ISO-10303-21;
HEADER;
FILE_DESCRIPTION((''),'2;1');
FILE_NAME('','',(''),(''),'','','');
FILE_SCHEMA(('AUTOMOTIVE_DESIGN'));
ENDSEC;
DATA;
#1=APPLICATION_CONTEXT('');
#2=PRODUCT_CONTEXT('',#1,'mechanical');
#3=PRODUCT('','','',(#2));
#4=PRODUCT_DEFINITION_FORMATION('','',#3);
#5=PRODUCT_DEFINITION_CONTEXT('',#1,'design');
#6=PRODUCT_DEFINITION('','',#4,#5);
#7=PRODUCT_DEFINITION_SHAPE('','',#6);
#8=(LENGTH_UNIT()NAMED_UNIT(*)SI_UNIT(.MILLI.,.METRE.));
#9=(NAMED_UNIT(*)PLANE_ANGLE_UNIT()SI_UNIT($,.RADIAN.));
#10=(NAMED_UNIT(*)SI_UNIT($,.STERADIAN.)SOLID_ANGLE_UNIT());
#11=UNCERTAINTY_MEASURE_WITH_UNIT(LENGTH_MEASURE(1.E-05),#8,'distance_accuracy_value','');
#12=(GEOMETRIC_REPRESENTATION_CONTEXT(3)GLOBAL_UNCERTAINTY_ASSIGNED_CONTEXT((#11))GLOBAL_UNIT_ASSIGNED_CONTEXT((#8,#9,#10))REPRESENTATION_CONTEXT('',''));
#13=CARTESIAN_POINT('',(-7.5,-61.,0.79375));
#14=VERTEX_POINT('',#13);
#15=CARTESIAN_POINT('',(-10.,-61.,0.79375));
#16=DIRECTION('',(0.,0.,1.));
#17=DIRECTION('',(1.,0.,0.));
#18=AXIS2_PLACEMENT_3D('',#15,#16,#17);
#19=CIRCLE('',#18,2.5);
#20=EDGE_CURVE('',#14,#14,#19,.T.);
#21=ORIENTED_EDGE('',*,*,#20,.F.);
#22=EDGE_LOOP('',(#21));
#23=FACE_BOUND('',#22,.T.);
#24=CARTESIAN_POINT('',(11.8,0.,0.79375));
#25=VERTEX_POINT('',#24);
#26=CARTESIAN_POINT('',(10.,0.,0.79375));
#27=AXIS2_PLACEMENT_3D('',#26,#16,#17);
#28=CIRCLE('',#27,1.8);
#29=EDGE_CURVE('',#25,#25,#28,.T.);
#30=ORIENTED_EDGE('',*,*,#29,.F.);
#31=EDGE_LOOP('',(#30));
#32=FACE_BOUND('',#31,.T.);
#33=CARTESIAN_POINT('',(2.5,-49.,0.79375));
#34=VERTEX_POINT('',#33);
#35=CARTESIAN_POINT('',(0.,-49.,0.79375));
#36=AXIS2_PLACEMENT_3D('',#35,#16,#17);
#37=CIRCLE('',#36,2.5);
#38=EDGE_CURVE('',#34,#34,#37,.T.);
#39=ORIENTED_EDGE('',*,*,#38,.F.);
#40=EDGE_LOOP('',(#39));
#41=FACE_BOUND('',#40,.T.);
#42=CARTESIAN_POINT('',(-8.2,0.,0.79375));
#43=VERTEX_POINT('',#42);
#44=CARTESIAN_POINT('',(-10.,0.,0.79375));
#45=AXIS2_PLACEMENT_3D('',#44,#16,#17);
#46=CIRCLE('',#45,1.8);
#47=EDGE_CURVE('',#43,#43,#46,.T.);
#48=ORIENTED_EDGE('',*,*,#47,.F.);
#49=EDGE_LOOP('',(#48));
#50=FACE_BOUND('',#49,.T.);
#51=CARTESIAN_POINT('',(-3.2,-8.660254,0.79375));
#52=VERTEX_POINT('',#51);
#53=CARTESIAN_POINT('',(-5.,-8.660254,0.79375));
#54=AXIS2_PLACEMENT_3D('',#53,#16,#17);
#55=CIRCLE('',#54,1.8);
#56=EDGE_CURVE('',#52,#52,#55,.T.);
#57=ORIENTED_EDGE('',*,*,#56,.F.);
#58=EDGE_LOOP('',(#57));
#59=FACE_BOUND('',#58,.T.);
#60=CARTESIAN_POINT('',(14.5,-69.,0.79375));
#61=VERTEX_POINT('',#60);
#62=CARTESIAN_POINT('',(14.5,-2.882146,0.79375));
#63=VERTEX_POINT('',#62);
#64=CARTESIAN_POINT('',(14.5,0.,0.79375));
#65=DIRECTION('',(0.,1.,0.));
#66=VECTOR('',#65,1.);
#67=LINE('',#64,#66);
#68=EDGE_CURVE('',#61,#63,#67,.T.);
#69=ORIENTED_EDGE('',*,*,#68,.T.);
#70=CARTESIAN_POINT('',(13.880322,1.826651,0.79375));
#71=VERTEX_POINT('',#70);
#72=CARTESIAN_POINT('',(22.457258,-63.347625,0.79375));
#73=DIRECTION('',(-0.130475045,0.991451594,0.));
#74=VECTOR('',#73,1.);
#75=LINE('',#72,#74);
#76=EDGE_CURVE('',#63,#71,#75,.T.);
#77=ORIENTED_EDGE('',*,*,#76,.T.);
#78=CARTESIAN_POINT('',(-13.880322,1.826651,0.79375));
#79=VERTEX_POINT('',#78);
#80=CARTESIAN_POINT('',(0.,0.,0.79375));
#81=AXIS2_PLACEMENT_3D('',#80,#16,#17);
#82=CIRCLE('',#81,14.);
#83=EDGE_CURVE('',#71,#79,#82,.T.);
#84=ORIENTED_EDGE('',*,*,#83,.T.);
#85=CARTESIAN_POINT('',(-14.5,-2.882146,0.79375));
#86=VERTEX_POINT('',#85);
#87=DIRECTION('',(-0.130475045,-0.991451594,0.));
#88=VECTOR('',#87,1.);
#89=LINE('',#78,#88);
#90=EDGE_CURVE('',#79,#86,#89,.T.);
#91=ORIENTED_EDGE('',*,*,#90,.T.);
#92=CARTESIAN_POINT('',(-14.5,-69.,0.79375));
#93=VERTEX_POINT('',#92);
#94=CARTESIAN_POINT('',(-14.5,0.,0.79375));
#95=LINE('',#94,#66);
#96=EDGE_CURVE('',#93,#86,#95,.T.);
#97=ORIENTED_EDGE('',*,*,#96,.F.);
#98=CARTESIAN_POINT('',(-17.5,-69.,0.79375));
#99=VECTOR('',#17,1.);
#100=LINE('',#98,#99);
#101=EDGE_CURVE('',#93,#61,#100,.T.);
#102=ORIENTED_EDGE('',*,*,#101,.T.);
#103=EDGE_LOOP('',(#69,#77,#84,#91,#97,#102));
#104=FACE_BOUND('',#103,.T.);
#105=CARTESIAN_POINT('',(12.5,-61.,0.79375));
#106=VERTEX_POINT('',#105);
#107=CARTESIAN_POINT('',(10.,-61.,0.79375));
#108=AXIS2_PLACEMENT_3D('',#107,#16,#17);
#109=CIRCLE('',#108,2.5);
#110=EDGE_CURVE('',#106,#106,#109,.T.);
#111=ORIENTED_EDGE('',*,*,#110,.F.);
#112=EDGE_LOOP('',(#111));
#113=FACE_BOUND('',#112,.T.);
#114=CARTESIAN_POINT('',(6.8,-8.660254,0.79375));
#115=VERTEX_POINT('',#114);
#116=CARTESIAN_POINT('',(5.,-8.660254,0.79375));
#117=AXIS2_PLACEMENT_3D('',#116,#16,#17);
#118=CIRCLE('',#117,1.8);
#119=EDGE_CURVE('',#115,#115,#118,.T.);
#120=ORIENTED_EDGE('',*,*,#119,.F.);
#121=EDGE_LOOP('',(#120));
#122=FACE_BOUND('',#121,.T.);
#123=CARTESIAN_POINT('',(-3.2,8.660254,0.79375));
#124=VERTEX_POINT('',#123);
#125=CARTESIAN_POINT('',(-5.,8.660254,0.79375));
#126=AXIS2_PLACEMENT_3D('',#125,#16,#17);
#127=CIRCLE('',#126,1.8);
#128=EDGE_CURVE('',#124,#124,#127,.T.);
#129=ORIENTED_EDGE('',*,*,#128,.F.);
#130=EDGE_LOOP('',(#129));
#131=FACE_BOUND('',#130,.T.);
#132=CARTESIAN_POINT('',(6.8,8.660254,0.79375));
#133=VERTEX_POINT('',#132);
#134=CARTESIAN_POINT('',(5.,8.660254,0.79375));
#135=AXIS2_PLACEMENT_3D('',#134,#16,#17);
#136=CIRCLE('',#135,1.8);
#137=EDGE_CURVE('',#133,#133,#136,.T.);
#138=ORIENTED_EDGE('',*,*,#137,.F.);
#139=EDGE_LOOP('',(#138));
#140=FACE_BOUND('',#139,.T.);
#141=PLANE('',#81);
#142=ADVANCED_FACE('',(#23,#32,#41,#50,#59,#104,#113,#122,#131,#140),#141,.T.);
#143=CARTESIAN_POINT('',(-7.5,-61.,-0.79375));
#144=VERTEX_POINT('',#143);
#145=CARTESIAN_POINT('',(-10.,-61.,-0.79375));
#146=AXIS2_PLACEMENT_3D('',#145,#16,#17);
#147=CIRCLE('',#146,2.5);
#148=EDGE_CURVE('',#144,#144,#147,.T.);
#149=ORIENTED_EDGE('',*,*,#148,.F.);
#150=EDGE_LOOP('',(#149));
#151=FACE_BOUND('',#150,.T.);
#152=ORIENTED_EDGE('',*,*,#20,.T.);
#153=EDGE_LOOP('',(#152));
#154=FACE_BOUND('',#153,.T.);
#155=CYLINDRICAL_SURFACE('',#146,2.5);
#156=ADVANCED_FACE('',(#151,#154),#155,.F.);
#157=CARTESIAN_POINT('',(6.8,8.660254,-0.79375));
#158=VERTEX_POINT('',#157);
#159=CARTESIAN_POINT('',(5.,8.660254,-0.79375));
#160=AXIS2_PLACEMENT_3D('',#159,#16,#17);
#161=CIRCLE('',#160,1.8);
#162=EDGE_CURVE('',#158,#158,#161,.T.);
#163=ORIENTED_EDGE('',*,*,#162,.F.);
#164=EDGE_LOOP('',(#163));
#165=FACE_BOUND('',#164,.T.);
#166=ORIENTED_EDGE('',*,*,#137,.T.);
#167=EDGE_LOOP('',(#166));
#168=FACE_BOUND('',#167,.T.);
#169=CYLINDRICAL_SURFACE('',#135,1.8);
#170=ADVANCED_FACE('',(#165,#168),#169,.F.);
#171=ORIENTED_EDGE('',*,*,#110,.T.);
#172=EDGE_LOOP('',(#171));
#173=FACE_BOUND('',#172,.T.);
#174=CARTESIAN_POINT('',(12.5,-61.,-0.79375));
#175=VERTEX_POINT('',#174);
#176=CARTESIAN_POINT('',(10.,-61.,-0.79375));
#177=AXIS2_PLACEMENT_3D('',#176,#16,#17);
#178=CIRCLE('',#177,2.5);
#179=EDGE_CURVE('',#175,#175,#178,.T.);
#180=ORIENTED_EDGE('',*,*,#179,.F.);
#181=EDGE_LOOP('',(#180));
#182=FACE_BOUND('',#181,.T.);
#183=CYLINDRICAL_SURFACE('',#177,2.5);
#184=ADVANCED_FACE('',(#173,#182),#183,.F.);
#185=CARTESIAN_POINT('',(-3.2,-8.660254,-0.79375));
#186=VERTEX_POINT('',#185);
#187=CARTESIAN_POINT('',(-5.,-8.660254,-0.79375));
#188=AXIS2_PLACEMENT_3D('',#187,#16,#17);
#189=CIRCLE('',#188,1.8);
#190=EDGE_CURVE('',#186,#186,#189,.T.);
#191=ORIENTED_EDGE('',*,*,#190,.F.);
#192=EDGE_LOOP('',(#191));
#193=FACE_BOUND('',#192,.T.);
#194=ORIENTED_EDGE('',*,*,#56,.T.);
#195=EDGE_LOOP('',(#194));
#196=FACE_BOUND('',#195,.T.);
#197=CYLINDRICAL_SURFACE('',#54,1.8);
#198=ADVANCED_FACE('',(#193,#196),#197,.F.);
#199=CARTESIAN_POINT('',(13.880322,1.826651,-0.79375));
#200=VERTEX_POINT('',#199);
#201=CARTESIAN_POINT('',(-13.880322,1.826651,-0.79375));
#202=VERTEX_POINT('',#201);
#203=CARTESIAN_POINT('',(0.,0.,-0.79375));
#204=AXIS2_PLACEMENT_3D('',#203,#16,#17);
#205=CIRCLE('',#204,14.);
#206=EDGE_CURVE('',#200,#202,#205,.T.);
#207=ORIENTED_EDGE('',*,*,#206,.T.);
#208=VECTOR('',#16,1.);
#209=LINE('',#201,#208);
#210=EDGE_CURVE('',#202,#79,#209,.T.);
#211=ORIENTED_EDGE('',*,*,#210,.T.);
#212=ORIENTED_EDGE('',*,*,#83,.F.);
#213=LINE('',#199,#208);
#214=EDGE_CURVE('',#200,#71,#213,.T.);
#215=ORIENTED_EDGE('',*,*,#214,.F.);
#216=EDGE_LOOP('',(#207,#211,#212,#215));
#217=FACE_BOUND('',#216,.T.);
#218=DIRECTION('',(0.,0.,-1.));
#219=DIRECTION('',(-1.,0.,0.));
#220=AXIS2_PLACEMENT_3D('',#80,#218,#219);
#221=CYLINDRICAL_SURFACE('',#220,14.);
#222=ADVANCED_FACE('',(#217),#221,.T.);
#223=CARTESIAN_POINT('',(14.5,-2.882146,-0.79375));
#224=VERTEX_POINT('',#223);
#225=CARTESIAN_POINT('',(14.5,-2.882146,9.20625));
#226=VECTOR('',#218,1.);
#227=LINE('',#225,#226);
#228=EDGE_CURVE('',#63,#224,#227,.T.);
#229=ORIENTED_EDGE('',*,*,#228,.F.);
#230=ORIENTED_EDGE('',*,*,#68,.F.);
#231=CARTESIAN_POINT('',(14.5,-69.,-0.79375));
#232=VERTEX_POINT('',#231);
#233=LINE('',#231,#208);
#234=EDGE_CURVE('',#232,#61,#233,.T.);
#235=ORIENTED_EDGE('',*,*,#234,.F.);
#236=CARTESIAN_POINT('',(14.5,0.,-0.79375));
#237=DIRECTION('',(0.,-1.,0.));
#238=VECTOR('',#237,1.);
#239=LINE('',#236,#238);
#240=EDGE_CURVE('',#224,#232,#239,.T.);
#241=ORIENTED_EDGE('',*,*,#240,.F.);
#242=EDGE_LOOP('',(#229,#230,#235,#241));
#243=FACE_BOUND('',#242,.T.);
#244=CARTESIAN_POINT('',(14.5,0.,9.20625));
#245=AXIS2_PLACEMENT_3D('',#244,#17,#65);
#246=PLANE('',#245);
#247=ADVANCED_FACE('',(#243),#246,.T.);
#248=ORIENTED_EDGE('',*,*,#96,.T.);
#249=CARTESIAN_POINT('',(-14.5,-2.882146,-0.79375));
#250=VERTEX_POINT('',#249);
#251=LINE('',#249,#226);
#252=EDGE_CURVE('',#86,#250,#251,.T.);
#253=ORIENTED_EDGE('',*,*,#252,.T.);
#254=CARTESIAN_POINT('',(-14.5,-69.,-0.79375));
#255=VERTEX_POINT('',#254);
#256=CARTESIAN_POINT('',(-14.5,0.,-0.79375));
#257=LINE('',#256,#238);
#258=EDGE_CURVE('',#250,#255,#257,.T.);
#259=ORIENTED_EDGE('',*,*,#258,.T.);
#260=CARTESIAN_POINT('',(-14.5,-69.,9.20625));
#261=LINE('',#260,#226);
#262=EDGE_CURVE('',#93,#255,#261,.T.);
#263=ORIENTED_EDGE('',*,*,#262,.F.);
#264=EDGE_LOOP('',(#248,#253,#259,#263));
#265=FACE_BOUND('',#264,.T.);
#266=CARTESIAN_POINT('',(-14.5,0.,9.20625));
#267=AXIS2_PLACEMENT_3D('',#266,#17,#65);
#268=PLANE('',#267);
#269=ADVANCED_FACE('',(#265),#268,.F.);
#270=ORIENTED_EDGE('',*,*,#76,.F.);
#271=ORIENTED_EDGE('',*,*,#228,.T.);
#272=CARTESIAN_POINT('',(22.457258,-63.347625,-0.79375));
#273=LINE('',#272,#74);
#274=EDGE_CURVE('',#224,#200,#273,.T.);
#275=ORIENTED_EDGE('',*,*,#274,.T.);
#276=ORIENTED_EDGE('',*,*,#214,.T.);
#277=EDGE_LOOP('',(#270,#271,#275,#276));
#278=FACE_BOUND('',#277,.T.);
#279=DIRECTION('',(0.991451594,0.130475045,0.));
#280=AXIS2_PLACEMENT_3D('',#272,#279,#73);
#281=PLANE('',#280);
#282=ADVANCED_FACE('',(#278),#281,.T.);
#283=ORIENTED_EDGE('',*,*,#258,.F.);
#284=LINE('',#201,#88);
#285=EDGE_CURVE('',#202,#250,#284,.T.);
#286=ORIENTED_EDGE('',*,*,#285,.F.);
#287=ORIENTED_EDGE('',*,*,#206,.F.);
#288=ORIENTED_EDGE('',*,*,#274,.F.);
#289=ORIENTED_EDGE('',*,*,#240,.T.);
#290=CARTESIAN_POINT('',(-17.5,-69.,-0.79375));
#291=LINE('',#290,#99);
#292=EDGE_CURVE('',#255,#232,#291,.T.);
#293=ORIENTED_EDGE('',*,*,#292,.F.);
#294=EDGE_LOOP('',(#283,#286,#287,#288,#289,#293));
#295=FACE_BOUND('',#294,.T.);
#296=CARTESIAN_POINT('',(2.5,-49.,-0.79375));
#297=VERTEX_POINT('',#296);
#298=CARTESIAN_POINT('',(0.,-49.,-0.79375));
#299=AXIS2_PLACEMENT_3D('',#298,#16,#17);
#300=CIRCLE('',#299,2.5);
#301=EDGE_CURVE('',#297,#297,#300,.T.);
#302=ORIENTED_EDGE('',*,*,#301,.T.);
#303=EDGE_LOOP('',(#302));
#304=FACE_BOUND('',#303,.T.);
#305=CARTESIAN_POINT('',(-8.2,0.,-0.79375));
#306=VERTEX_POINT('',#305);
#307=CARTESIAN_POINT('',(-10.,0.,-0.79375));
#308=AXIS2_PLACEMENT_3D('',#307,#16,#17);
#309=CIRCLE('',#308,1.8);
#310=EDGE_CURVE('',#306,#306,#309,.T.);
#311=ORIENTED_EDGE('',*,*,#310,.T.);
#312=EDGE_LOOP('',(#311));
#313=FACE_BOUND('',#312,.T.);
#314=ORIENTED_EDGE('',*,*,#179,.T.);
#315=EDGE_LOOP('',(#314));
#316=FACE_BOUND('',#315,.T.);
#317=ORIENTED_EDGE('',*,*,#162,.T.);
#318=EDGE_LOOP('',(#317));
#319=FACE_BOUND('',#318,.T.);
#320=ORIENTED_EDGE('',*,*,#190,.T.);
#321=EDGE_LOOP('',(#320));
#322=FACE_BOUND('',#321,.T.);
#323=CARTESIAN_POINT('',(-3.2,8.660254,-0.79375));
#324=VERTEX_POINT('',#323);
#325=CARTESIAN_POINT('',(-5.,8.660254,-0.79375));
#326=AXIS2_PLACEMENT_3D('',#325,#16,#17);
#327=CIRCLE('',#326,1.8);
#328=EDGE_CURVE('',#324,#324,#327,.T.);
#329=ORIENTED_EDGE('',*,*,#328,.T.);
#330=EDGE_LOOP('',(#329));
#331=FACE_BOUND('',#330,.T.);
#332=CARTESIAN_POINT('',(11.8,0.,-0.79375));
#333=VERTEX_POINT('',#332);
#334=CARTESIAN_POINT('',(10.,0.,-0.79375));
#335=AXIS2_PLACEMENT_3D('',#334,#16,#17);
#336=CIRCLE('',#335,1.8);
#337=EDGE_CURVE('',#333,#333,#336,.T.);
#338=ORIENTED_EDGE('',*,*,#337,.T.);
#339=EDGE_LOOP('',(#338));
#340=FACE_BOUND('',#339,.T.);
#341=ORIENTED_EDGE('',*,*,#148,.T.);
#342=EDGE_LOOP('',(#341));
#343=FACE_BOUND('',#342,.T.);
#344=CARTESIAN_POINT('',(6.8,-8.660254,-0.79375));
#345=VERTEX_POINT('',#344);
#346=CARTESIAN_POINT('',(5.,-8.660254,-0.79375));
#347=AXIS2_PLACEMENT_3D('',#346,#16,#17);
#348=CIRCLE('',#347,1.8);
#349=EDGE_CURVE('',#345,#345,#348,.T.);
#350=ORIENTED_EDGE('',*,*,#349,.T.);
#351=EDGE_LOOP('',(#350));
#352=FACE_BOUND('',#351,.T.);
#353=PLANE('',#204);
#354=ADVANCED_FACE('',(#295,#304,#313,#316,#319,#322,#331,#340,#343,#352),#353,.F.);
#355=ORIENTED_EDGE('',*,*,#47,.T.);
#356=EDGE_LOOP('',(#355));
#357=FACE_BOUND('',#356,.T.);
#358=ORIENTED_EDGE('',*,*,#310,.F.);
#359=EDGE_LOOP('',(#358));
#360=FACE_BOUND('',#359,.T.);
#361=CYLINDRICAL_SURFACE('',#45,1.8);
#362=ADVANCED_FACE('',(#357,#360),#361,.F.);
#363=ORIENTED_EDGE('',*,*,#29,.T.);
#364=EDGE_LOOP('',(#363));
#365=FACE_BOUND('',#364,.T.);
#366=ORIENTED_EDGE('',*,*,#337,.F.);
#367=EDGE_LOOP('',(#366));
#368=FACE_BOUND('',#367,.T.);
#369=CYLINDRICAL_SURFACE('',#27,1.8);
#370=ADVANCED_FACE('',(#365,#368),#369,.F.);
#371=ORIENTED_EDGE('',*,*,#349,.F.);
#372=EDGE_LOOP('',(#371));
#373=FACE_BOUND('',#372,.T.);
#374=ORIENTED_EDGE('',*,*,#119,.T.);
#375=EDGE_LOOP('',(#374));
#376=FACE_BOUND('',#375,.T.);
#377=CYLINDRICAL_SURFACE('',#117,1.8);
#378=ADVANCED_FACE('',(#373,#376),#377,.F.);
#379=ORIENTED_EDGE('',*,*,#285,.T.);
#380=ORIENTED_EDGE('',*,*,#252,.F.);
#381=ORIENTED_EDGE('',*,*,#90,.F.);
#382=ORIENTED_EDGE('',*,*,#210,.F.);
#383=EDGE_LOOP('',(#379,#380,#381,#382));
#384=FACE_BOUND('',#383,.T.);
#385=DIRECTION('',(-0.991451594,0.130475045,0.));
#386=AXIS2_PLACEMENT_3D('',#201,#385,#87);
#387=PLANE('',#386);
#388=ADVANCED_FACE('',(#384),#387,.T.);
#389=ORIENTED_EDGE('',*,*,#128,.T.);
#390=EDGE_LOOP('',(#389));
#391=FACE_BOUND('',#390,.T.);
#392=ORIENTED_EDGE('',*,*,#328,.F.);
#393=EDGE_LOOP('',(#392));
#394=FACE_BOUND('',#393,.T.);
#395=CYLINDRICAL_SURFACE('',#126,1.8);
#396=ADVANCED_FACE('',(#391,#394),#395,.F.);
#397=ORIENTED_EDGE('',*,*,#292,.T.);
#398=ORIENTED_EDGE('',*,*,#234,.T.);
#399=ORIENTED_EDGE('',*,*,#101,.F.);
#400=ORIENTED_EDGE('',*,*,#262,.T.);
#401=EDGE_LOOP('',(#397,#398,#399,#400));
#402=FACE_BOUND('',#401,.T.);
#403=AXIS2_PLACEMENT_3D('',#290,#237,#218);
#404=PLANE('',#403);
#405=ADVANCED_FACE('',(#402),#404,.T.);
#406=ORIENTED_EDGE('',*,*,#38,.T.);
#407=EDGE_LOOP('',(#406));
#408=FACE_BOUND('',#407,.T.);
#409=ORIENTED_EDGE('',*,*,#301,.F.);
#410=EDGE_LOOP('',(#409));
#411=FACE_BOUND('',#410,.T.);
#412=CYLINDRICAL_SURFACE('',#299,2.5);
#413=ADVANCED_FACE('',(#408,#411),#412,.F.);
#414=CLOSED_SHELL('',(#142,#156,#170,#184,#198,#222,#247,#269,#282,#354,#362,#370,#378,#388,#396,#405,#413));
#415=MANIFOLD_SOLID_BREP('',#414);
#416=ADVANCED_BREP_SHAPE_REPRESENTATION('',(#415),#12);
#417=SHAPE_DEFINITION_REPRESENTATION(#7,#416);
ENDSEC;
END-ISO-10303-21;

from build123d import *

# Parameters (mm, degrees)
SKETCH1_R            = 14
BOSS_EXTRUDE1_DEPTH  = 0.79375
SKETCH2_R            = 2.5
BOSS_EXTRUDE2_DEPTH  = 1.5875
M3_CLEARANCE_HOLE1_D = 3.6
CUT_EXTRUDE1_START   = -10
CUT_EXTRUDE1_DEPTH   = 10


with BuildPart() as part:
    # Sketch1 → Boss-Extrude1 (new, symmetric)
    with BuildSketch(Plane.XY):
        Circle(SKETCH1_R)
    extrude(amount=BOSS_EXTRUDE1_DEPTH, both=True)

    # Sketch2 → Boss-Extrude2 (add, through all)
    with BuildSketch(Plane.XY.offset(0.79375)):
        with BuildLine():
            Line((-13.880322311, 1.826650632), (-22.457257968, -63.347624774))
            ThreePointArc((-22.457257968, -63.347624774), (-21.259114, -67.29682604), (-17.5, -69))
            Line((-17.5, -69), (17.5, -69))
            ThreePointArc((17.5, -69), (21.259114, -67.29682604), (22.457257968, -63.347624774))
            Line((22.457257968, -63.347624774), (13.880322311, 1.826650632))
            Line((13.880322311, 1.826650632), (-13.880322311, 1.826650632))
        make_face()
        with Locations((-10, -61)):
            Circle(SKETCH2_R, mode=Mode.SUBTRACT)
        with Locations((10, -61)):
            Circle(SKETCH2_R, mode=Mode.SUBTRACT)
        with Locations((0, -49)):
            Circle(SKETCH2_R, mode=Mode.SUBTRACT)
    extrude(amount=-BOSS_EXTRUDE2_DEPTH)

    # M3 Clearance Hole1 (through all)
    with Locations(Plane.XY.offset(0.79375)):
        with Locations((5, 8.660254038), (-5, 8.660254038), (-10, 0), (-5, -8.660254038), (5, -8.660254038), (10, 0)):
            Hole(M3_CLEARANCE_HOLE1_D / 2)

    # Sketch5 → Cut-Extrude1 (cut)
    with BuildSketch(Plane(origin=(0, 0, -0.79375), x_dir=(-1, 0, 0), z_dir=(0, 0, -1)).offset(CUT_EXTRUDE1_START)):
        with BuildLine():
            Line((-14.5, -69), (-14.5, -2.882145837))
            Line((-14.5, -2.882145837), (-22.457257968, -63.347624774))
            ThreePointArc((-22.457257968, -63.347624774), (-21.259114, -67.29682604), (-17.5, -69))
            Line((-17.5, -69), (-14.5, -69))
        make_face()
        with BuildLine():
            Line((22.457257968, -63.347624774), (14.5, -2.882145837))
            Line((14.5, -2.882145837), (14.5, -69))
            Line((14.5, -69), (17.5, -69))
            ThreePointArc((17.5, -69), (21.259114, -67.29682604), (22.457257968, -63.347624774))
        make_face()
    extrude(amount=CUT_EXTRUDE1_DEPTH, mode=Mode.SUBTRACT)


solid = part.part
